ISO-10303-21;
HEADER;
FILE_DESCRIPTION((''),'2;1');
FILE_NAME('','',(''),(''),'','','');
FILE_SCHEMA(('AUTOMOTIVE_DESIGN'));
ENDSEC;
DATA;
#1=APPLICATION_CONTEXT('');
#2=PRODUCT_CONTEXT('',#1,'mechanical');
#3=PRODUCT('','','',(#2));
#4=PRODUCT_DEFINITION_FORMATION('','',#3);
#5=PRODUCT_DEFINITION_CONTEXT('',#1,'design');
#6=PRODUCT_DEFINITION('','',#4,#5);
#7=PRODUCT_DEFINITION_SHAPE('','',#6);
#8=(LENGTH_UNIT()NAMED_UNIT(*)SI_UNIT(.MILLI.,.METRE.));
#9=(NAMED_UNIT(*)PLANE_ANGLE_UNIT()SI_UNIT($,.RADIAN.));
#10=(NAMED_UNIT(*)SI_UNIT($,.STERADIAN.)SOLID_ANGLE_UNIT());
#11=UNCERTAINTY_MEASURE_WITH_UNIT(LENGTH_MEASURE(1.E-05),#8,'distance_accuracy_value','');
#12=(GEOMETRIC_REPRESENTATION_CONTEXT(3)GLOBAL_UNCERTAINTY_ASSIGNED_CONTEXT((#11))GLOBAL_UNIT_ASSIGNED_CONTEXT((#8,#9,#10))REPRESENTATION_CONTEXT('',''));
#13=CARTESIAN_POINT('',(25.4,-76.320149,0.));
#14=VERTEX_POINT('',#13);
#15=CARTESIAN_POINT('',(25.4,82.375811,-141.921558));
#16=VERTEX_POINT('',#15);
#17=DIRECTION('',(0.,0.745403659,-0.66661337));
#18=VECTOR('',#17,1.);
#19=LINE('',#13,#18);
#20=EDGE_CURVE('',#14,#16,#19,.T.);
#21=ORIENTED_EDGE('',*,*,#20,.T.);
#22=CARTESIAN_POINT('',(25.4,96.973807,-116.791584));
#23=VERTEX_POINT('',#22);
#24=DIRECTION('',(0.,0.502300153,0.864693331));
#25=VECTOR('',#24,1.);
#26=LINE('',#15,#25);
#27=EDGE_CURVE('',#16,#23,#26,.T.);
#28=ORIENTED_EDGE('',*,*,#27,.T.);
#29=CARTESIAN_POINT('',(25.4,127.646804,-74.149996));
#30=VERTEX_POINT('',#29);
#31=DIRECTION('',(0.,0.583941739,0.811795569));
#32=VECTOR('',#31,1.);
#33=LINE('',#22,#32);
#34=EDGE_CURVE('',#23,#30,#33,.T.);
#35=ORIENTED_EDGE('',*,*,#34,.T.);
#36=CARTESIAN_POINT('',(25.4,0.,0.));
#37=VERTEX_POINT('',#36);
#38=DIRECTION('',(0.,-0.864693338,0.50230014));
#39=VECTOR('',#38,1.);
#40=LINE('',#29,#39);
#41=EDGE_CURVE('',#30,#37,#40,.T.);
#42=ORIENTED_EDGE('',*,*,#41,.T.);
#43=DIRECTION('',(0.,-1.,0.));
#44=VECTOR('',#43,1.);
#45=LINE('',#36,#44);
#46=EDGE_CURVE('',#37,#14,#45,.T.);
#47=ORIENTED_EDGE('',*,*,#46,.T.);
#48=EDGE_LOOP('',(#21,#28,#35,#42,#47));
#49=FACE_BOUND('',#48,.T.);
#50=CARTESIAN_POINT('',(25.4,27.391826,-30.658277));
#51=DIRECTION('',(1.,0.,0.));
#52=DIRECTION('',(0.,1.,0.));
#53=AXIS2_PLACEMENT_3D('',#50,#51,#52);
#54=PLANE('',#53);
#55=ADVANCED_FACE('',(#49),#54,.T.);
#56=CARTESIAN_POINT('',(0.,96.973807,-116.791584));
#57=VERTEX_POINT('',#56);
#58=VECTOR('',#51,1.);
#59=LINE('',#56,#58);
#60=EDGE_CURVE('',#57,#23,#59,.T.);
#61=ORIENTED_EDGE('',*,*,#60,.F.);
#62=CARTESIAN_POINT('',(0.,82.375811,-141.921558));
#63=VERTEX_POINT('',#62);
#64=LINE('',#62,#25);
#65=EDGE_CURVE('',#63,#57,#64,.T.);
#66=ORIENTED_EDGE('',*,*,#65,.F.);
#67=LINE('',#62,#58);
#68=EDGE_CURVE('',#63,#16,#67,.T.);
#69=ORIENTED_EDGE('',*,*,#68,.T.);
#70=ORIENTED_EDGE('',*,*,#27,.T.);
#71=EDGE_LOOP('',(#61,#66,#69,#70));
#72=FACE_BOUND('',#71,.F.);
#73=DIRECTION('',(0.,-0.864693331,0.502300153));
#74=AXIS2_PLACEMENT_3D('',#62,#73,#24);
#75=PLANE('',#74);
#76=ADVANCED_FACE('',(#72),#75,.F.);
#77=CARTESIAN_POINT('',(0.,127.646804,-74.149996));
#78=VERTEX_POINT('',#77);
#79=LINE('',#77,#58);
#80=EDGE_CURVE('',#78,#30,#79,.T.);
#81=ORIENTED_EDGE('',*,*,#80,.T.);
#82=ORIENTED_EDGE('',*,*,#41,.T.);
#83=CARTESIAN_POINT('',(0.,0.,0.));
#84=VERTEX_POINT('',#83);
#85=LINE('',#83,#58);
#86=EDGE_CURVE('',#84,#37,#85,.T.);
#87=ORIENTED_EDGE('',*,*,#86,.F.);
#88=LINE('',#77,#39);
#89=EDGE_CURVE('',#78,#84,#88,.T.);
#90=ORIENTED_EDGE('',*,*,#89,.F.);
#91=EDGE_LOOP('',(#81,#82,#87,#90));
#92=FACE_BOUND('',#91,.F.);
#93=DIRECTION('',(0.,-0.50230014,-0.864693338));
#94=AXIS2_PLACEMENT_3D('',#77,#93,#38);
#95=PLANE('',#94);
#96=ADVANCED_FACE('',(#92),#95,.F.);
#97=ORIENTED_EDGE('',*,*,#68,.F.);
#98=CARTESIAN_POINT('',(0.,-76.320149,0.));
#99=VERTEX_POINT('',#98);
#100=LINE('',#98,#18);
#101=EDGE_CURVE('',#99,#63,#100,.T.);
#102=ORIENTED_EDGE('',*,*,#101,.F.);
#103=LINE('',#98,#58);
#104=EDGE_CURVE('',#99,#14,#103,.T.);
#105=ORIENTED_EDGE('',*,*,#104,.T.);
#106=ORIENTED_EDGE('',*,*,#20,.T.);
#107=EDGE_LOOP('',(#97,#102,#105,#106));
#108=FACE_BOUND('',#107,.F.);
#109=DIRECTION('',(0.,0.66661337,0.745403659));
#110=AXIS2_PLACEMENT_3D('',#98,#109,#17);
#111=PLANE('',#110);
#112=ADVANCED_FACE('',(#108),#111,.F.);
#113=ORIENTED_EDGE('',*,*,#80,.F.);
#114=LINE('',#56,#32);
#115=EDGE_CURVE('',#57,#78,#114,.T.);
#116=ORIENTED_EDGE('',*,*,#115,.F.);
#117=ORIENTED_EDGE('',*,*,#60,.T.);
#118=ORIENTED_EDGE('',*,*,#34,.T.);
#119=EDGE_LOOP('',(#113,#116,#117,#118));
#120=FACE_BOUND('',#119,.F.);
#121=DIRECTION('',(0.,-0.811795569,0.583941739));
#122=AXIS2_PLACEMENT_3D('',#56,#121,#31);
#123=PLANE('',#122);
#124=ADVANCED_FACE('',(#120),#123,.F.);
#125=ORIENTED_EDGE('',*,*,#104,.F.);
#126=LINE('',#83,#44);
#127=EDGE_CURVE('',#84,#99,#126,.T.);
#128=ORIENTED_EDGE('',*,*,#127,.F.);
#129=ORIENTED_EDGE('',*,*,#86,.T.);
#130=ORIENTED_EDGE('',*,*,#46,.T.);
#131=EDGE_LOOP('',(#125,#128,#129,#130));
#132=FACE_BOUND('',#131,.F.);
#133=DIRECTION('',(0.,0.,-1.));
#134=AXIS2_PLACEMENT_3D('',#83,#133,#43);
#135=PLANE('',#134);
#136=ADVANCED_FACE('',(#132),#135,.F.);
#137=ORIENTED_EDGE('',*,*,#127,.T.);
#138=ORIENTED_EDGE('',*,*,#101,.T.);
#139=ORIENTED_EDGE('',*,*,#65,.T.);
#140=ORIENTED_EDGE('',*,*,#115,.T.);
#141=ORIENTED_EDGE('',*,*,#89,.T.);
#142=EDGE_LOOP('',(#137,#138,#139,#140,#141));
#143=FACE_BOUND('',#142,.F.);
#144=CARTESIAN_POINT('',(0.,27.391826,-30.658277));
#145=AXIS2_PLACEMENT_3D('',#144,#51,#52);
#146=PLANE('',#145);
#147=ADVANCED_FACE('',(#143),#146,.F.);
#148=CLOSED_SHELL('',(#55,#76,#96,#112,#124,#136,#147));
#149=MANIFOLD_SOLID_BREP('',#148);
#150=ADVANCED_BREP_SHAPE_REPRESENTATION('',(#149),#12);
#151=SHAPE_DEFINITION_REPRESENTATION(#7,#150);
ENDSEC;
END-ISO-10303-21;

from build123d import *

# Parameters (mm, degrees)
F1_DEPTH = 25.4


with BuildPart() as f1:
    # F0 (on Right) → F1 (new body)
    with BuildSketch(Plane.YZ):
        Polygon((127.646804, -74.149996), (0, 0), (-76.320149, 0), align=None)
        Polygon((96.973807, -116.791584), (127.646804, -74.149996), (-76.320149, 0), (82.375811, -141.921558), align=None)
    extrude(amount=F1_DEPTH)


solid = f1.part
